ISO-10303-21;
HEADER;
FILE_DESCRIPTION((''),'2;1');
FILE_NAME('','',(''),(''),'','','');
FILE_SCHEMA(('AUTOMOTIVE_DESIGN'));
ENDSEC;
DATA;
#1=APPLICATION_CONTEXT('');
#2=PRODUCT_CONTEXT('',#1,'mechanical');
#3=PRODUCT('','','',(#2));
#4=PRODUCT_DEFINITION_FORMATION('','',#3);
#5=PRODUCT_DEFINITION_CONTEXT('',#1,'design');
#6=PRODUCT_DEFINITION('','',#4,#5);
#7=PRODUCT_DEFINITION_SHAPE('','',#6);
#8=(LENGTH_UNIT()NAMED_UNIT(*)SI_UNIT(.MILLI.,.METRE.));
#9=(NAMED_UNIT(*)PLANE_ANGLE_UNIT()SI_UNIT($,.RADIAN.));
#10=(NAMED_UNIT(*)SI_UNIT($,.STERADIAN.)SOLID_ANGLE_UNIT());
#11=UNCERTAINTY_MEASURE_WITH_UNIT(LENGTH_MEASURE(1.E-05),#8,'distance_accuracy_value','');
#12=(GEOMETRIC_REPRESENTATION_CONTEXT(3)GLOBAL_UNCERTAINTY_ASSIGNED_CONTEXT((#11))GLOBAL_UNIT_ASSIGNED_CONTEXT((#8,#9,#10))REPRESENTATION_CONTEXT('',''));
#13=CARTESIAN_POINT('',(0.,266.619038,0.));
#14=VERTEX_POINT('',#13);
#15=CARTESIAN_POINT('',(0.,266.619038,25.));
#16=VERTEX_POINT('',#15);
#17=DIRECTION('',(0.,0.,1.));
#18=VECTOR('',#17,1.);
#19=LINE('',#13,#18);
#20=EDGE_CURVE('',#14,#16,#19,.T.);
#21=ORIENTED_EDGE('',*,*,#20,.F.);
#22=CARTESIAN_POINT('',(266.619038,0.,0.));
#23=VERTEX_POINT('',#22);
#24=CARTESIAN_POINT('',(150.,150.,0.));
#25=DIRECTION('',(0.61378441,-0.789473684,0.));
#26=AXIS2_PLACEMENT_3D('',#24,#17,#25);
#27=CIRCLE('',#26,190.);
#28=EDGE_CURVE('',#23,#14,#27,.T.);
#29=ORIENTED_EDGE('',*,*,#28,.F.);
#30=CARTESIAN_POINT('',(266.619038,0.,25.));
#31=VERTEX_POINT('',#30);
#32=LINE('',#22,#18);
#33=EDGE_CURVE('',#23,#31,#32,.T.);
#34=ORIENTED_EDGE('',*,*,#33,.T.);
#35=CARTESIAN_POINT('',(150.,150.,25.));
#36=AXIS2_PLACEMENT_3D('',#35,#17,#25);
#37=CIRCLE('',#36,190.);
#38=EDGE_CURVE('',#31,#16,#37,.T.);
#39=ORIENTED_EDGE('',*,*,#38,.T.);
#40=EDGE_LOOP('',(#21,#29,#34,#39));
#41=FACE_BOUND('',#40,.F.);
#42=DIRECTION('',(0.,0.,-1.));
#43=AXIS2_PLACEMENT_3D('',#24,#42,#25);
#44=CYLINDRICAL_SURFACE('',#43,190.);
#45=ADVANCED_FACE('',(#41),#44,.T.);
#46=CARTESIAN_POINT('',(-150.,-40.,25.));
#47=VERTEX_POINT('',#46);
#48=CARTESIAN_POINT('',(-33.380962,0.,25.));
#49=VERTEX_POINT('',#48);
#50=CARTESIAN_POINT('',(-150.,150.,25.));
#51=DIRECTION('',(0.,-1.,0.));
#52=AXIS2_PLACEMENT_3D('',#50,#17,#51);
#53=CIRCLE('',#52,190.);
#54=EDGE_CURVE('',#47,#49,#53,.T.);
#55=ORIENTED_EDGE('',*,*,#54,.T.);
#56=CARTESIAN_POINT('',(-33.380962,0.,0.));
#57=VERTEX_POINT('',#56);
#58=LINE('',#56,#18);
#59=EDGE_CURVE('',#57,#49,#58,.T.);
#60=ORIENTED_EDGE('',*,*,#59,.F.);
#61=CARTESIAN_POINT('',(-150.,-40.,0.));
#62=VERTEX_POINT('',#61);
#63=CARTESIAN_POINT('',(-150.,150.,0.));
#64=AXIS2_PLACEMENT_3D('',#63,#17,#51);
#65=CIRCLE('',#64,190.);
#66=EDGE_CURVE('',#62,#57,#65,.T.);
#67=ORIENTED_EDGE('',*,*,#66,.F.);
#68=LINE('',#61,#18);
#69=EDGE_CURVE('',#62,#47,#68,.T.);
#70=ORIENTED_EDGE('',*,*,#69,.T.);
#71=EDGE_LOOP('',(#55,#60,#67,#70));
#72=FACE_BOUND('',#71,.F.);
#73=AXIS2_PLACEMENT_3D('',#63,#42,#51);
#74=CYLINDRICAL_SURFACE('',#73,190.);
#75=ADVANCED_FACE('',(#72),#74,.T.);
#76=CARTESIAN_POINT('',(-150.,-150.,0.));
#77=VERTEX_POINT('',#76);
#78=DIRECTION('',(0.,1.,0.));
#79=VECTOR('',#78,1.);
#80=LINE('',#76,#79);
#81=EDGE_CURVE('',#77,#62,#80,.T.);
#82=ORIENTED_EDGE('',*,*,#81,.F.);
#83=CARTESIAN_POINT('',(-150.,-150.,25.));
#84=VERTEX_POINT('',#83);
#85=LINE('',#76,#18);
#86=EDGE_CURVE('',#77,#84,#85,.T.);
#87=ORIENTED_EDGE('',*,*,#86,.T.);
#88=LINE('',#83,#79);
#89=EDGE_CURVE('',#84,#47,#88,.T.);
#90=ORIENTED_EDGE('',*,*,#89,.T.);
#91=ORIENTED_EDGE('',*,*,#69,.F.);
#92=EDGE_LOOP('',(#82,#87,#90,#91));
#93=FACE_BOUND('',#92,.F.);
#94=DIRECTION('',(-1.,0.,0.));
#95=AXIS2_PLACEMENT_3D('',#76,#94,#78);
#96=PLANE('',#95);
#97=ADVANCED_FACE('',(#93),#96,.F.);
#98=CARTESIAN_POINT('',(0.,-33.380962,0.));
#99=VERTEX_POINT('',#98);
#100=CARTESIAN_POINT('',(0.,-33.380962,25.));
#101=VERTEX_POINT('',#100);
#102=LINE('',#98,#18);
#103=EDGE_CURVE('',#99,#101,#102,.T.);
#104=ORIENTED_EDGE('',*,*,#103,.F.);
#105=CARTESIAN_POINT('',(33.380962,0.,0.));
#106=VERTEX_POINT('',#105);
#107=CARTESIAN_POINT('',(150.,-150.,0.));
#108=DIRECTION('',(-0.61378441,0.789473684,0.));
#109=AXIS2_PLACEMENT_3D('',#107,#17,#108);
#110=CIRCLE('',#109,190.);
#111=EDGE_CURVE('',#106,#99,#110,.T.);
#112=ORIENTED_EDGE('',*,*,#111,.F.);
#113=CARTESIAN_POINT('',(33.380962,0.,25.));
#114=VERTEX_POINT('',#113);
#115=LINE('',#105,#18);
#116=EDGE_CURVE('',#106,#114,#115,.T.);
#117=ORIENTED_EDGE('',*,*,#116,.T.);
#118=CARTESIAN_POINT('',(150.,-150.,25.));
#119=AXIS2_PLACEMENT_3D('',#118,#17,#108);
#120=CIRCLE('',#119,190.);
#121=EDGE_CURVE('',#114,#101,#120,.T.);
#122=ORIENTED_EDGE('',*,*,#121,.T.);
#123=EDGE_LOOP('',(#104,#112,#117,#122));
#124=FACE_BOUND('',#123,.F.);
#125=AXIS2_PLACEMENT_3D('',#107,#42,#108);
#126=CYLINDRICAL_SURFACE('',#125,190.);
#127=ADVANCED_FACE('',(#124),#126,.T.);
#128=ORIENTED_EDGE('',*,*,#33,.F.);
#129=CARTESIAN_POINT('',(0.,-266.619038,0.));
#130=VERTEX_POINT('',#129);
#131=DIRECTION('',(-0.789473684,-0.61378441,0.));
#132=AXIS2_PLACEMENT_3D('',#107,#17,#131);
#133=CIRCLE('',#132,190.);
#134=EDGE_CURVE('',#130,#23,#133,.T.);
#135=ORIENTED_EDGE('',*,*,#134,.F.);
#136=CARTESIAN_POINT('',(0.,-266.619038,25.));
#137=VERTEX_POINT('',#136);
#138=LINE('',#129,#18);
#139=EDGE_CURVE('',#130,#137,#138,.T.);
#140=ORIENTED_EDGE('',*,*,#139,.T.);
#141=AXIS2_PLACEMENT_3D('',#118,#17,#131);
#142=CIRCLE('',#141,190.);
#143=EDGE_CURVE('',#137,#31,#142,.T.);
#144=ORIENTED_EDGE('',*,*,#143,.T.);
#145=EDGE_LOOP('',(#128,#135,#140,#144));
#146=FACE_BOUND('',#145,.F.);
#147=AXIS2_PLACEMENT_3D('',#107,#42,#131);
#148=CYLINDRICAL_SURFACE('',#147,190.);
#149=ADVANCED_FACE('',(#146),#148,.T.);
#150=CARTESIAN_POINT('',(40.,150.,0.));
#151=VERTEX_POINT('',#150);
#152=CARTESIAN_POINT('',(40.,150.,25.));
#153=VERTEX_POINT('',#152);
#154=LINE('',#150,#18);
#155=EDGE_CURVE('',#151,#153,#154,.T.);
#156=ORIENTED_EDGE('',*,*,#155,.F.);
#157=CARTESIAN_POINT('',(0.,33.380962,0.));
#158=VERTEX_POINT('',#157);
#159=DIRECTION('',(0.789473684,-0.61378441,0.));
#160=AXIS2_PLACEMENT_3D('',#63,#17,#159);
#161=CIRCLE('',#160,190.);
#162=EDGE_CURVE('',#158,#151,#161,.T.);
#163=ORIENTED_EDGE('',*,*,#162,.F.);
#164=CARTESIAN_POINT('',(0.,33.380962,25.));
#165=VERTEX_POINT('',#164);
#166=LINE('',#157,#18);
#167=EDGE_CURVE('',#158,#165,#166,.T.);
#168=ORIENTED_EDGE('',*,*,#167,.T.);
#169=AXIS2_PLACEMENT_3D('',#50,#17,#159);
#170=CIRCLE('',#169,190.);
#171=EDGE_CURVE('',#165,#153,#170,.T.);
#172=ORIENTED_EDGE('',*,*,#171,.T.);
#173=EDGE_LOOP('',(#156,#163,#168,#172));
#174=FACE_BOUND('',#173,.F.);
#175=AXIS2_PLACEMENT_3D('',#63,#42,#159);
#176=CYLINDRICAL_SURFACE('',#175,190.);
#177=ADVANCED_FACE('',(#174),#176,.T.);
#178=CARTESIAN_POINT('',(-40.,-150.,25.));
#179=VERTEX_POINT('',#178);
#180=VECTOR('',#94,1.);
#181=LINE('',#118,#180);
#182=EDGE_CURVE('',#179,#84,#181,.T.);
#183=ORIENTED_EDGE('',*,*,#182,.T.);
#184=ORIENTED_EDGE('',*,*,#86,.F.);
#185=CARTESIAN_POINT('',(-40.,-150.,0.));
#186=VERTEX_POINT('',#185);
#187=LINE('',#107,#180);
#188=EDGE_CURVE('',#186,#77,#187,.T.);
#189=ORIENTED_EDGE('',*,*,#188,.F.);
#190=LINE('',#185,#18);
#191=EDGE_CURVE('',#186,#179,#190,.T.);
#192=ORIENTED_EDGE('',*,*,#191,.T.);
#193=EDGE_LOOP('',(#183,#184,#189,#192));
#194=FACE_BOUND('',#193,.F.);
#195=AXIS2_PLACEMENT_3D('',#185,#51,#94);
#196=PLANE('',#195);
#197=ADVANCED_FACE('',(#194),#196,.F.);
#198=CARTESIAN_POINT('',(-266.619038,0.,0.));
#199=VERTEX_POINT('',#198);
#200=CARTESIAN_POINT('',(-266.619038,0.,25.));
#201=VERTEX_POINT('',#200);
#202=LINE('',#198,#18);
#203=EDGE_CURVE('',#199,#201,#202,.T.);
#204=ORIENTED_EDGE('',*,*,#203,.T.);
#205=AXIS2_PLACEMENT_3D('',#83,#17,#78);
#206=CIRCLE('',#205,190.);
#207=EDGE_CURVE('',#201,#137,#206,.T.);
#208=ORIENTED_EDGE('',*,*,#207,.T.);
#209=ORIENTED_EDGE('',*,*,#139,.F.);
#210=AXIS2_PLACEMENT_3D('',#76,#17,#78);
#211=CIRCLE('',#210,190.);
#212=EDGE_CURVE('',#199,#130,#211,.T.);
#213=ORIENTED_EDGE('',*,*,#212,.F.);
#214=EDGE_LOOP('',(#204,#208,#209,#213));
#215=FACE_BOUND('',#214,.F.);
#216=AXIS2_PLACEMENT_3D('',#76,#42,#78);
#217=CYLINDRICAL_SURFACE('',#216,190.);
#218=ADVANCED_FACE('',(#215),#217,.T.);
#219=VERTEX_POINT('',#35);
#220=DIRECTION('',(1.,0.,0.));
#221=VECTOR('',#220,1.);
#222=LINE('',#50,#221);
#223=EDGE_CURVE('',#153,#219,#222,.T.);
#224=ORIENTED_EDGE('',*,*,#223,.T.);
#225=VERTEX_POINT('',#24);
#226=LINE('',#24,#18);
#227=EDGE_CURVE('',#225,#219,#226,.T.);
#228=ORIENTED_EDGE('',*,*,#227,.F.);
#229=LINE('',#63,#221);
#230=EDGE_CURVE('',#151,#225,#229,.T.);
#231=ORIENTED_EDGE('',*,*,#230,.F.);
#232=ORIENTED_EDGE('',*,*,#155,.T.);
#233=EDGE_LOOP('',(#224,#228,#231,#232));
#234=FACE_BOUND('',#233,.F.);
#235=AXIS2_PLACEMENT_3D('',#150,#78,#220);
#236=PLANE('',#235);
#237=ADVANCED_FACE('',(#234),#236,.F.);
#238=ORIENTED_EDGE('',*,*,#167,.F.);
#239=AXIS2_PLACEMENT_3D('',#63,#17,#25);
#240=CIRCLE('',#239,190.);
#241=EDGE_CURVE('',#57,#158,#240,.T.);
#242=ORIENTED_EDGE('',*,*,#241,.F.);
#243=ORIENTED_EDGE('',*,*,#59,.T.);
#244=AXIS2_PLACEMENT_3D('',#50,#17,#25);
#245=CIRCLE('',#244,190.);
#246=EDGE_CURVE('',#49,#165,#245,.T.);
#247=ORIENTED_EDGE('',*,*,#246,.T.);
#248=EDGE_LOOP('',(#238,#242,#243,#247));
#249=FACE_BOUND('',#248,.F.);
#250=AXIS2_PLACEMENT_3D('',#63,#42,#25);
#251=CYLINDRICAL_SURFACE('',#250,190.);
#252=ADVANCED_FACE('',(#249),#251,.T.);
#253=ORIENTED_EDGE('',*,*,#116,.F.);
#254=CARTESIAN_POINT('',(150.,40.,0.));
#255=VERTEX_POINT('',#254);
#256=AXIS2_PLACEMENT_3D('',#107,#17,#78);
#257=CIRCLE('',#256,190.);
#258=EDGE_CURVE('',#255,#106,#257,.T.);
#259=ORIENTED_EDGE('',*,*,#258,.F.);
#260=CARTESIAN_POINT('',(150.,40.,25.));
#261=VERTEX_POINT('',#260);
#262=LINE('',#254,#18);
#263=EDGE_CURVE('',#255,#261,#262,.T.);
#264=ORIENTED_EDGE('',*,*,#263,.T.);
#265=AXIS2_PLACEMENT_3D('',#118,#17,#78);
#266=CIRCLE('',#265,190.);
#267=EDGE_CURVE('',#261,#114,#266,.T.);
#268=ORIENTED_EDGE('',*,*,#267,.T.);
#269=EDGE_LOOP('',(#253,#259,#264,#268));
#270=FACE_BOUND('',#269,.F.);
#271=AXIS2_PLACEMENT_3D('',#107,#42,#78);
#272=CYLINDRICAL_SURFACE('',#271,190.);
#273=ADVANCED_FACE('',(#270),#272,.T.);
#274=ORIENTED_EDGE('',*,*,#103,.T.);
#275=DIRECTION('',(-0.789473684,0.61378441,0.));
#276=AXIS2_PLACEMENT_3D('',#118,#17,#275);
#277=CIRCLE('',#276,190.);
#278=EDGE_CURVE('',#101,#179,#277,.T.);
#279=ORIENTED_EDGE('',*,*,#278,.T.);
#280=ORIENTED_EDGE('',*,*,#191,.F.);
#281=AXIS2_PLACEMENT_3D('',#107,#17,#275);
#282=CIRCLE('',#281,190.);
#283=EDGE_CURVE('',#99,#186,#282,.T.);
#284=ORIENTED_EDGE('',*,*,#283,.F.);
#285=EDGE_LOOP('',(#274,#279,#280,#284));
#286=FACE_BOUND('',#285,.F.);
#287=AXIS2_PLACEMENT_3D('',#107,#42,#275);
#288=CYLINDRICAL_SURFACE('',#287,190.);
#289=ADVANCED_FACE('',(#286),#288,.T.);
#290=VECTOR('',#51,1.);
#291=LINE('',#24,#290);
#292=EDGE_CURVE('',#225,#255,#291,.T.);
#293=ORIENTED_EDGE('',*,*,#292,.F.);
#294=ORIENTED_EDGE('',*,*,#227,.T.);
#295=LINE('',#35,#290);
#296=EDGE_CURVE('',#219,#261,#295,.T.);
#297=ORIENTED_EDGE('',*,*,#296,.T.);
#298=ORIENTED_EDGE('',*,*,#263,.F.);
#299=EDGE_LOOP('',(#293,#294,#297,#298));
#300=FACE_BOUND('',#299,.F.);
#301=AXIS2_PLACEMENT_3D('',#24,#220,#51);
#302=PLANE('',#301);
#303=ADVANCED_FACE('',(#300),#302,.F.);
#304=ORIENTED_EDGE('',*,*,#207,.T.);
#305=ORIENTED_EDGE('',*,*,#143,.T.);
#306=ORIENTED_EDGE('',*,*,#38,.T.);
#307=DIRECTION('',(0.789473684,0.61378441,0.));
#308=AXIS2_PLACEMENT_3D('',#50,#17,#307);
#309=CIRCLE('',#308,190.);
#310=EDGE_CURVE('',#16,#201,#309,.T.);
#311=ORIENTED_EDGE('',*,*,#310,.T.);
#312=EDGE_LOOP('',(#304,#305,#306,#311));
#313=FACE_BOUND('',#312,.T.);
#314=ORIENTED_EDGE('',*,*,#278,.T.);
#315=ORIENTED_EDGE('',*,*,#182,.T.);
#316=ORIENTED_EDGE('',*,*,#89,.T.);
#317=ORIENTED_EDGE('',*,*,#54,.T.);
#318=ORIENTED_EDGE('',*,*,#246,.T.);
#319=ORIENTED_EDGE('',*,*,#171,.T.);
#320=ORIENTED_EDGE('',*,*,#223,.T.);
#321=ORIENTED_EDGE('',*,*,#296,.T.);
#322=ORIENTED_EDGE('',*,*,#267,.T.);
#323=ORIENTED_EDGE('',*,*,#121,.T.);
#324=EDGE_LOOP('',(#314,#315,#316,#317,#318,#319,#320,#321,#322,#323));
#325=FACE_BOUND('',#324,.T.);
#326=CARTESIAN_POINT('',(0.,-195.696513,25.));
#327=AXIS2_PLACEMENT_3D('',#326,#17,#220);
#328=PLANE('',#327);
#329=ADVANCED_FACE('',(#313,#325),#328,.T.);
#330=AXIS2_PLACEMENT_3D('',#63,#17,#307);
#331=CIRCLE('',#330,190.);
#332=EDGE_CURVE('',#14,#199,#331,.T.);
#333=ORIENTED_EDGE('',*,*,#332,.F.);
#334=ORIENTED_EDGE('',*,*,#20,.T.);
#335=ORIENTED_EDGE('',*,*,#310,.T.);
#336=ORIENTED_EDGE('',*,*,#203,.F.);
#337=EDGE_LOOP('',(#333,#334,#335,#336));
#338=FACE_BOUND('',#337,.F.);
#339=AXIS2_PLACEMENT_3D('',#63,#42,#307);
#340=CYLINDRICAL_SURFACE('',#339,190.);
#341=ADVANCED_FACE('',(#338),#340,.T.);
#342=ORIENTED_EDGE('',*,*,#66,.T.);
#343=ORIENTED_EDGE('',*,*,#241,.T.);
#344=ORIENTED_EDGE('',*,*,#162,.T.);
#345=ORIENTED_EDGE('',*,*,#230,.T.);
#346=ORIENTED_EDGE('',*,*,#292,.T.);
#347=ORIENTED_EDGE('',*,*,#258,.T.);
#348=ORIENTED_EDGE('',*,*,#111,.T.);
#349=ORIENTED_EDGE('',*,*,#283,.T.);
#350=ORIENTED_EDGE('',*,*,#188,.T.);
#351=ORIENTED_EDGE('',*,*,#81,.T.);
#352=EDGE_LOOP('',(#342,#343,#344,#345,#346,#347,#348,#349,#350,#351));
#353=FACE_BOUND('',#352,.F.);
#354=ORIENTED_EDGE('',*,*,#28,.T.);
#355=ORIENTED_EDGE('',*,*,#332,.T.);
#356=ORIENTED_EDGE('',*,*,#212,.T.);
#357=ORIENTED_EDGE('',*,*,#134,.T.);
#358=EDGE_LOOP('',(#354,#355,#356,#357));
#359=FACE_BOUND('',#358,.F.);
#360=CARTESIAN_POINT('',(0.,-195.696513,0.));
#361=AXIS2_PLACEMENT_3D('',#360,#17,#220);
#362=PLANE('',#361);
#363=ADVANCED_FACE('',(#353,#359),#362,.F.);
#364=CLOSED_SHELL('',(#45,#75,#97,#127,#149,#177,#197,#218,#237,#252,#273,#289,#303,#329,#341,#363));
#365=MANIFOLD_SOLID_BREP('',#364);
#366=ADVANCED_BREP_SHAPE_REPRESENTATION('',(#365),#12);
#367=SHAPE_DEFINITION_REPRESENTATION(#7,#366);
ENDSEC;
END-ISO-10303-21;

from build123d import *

# Parameters (mm, degrees)
F1_DEPTH = 25


with BuildPart() as f1:
    # F0 (on Top) → F1 (new body)
    with BuildSketch(Plane.XY):
        with BuildLine():
            ThreePointArc((0, -266.6190378969), (29.7220075561, -211.6441400297), (40, -150))
            Line((40, -150), (-40, -150))
            ThreePointArc((-40, -150), (-29.7220075561, -211.6441400297), (0, -266.6190378969))
        make_face()
        with BuildLine():
            Line((150, -150), (40, -150))
            ThreePointArc((40, -150), (29.7220075561, -211.6441400297), (0, -266.6190378969))
            ThreePointArc((0, -266.6190378969), (211.6441400297, -329.7220075561), (340, -150))
            ThreePointArc((340, -150), (320.6716397068, -66.506339164), (266.6190378969, 0))
            ThreePointArc((266.6190378969, 0), (211.6441400297, -29.7220075561), (150, -40))
            Line((150, -40), (150, -150))
        make_face()
        with BuildLine():
            ThreePointArc((0, -266.6190378969), (-29.7220075561, -211.6441400297), (-40, -150))
            Line((-40, -150), (-150, -150))
            Line((-150, -150), (-150, -40))
            ThreePointArc((-150, -40), (-211.6441400297, -29.7220075561), (-266.6190378969, 0))
            ThreePointArc((-266.6190378969, 0), (-284.3502884254, -284.3502884254), (0, -266.6190378969))
        make_face()
        with BuildLine():
            Line((150, 40), (150, -40))
            ThreePointArc((150, -40), (211.6441400297, -29.7220075561), (266.6190378969, 0))
            ThreePointArc((266.6190378969, 0), (211.6441400297, 29.7220075561), (150, 40))
        make_face()
        with BuildLine():
            ThreePointArc((-150, 40), (-211.6441400297, 29.7220075561), (-266.6190378969, 0))
            ThreePointArc((-266.6190378969, 0), (-211.6441400297, -29.7220075561), (-150, -40))
            Line((-150, -40), (-150, 40))
        make_face()
        with BuildLine():
            ThreePointArc((0, 266.6190378969), (-284.3502884254, 284.3502884254), (-266.6190378969, 0))
            ThreePointArc((-266.6190378969, 0), (-211.6441400297, 29.7220075561), (-150, 40))
            Line((-150, 40), (-150, 150))
            Line((-150, 150), (-40, 150))
            ThreePointArc((-40, 150), (-29.7220075561, 211.6441400297), (0, 266.6190378969))
        make_face()
        with BuildLine():
            Line((150, 150), (150, 40))
            ThreePointArc((150, 40), (211.6441400297, 29.7220075561), (266.6190378969, 0))
            ThreePointArc((266.6190378969, 0), (320.6716397068, 66.506339164), (340, 150))
            ThreePointArc((340, 150), (211.6441400297, 329.7220075561), (0, 266.6190378969))
            ThreePointArc((0, 266.6190378969), (29.7220075561, 211.6441400297), (40, 150))
            Line((40, 150), (150, 150))
        make_face()
        with BuildLine():
            ThreePointArc((40, 150), (29.7220075561, 211.6441400297), (0, 266.6190378969))
            ThreePointArc((0, 266.6190378969), (-29.7220075561, 211.6441400297), (-40, 150))
            Line((-40, 150), (40, 150))
        make_face()
        with BuildLine():
            ThreePointArc((-40, 150), (-29.7220075561, 88.3558599703), (0, 33.3809621031))
            ThreePointArc((0, 33.3809621031), (29.7220075561, 88.3558599703), (40, 150))
            Line((40, 150), (-40, 150))
        make_face()
        with BuildLine():
            ThreePointArc((-150, 40), (-88.3558599703, 29.7220075561), (-33.3809621031, 0))
            ThreePointArc((-33.3809621031, 0), (-15.6497115746, 15.6497115746), (0, 33.3809621031))
            ThreePointArc((0, 33.3809621031), (-29.7220075561, 88.3558599703), (-40, 150))
            Line((-40, 150), (-150, 150))
            Line((-150, 150), (-150, 40))
        make_face()
        with BuildLine():
            ThreePointArc((-150, -40), (-88.3558599703, -29.7220075561), (-33.3809621031, 0))
            ThreePointArc((-33.3809621031, 0), (-88.3558599703, 29.7220075561), (-150, 40))
            Line((-150, 40), (-150, -40))
        make_face()
        with BuildLine():
            Line((-40, -150), (40, -150))
            ThreePointArc((40, -150), (29.7220075561, -88.3558599703), (0, -33.3809621031))
            ThreePointArc((0, -33.3809621031), (-29.7220075561, -88.3558599703), (-40, -150))
        make_face()
        with BuildLine():
            ThreePointArc((0, -33.3809621031), (29.7220075561, -88.3558599703), (40, -150))
            Line((40, -150), (150, -150))
            Line((150, -150), (150, -40))
            ThreePointArc((150, -40), (88.3558599703, -29.7220075561), (33.3809621031, 0))
            ThreePointArc((33.3809621031, 0), (15.6497115746, -15.6497115746), (0, -33.3809621031))
        make_face()
        with BuildLine():
            ThreePointArc((33.3809621031, 0), (88.3558599703, -29.7220075561), (150, -40))
            Line((150, -40), (150, 40))
            ThreePointArc((150, 40), (88.3558599703, 29.7220075561), (33.3809621031, 0))
        make_face()
    extrude(amount=F1_DEPTH)


solid = f1.part
